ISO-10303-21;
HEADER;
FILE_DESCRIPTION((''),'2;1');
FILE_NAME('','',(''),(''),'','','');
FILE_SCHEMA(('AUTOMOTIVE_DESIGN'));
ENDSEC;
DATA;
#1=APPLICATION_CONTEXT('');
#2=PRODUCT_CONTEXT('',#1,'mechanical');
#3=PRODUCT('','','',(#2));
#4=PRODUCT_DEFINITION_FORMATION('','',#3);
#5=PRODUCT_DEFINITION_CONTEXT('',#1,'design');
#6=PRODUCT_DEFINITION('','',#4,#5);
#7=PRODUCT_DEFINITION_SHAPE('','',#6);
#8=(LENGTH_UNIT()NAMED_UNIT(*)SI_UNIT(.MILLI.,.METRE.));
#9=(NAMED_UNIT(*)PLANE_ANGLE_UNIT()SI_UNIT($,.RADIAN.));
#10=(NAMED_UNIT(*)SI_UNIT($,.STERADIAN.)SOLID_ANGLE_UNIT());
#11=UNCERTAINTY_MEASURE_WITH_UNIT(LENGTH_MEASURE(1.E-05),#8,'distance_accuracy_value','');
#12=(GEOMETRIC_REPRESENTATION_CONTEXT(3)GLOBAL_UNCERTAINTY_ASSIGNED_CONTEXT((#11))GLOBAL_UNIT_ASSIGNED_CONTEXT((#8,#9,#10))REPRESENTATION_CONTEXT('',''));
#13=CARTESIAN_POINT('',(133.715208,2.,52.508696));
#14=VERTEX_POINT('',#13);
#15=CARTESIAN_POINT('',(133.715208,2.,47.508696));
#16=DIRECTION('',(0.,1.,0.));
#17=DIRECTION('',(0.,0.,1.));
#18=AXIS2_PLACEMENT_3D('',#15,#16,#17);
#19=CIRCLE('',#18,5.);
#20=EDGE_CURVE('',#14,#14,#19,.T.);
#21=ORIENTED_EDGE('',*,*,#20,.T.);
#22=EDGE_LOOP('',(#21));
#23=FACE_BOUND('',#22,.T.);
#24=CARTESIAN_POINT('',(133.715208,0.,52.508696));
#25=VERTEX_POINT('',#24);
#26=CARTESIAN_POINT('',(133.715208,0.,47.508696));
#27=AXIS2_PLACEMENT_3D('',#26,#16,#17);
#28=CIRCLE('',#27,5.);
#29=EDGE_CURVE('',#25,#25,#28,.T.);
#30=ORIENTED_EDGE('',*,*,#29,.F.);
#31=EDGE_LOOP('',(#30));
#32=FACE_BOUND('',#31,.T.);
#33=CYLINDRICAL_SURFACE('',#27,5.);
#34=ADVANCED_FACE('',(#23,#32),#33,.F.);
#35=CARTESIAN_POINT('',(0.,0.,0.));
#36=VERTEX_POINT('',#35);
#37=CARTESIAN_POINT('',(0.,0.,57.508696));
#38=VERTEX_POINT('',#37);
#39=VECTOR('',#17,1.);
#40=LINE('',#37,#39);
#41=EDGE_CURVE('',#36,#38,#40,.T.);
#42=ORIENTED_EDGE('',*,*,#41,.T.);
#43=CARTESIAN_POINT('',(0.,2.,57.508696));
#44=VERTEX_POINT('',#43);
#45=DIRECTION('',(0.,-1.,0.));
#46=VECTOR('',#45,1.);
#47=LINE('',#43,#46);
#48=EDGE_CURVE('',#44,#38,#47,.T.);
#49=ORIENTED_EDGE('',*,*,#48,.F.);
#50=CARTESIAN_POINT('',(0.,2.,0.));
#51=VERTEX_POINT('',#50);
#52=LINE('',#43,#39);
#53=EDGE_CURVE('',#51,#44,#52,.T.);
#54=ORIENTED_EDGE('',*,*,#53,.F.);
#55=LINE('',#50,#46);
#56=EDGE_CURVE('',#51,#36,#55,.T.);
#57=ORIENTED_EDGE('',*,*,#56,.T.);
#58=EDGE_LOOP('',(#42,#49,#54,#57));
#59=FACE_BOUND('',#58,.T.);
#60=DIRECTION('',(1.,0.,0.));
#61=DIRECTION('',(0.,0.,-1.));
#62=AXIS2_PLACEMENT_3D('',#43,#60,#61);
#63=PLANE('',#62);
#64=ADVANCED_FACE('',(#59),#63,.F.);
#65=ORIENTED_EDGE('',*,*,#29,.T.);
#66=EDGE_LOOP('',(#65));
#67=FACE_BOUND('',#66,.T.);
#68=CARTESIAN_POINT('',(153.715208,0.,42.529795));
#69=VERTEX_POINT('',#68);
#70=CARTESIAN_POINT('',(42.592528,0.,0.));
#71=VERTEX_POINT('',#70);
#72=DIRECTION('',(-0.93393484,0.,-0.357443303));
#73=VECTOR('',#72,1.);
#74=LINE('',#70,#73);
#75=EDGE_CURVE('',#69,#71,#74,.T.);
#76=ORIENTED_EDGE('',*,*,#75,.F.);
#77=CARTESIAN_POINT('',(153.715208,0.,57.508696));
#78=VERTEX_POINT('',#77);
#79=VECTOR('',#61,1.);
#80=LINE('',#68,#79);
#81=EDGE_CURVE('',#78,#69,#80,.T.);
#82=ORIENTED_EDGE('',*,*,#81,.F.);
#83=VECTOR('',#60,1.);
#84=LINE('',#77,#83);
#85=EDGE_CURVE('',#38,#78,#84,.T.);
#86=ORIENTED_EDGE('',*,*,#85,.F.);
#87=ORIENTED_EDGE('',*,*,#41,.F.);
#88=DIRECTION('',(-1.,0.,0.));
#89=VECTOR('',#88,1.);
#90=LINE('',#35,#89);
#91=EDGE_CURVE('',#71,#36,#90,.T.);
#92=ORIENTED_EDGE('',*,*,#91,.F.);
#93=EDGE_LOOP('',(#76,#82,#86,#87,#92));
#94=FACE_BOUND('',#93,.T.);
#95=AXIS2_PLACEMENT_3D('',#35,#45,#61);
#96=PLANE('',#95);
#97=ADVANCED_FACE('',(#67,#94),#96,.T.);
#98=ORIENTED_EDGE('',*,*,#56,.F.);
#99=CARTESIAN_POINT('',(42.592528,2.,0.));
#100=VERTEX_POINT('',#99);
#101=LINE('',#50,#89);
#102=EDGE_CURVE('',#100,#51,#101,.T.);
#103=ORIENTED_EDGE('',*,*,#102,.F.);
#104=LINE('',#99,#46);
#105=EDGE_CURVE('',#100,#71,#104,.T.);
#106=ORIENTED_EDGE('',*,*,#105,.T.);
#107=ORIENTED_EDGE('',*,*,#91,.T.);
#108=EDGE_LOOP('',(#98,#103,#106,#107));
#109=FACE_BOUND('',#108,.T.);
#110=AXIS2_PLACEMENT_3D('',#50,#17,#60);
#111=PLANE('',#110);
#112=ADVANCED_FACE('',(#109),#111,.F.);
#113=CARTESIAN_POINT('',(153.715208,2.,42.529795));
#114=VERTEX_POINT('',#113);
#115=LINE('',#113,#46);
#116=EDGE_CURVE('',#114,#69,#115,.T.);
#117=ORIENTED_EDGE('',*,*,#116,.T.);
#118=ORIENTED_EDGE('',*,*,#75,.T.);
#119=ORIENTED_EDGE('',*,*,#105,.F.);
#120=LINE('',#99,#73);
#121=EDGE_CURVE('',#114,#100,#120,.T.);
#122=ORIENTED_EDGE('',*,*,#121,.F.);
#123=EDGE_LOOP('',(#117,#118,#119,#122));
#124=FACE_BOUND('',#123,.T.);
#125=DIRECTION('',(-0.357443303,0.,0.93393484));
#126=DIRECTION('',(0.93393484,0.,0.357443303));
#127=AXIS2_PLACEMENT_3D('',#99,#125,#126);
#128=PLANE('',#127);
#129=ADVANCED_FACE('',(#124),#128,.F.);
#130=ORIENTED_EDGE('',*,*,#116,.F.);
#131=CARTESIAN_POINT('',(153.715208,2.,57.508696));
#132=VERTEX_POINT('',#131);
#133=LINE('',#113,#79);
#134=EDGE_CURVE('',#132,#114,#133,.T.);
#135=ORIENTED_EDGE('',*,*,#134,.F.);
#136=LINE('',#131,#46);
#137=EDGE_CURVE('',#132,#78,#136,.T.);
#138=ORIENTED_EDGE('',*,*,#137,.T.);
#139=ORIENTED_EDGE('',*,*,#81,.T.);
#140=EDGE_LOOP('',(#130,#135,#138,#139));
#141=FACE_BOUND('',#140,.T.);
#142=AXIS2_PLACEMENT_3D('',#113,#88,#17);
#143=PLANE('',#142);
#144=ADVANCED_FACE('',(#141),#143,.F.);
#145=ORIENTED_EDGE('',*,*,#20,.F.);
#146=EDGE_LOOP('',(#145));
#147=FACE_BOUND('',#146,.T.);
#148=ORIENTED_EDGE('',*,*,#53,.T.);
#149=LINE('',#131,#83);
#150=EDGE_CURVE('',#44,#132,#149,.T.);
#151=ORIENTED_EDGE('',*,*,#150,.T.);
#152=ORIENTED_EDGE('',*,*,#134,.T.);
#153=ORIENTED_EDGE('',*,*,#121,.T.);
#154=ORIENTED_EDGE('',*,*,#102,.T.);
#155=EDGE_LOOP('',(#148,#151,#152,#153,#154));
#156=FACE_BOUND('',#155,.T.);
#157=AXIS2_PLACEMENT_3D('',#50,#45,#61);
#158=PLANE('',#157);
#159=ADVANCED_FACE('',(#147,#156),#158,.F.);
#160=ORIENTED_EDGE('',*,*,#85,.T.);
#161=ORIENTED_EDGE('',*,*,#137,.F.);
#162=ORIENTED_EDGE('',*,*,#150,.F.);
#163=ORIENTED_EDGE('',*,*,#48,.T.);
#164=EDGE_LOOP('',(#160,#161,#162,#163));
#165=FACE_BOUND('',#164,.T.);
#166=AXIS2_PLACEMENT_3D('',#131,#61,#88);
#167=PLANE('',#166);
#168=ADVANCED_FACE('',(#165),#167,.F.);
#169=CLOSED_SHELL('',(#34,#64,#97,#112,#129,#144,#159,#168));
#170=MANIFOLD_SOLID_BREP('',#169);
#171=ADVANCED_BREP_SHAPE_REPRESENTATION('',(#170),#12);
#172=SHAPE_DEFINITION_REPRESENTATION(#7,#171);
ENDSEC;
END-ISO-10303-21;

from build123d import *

# Parameters (mm, degrees)
BOSS_EXTRUDE1_DEPTH = 2
SKETCH2_R           = 5
CUT_EXTRUDE1_DEPTH  = 165.132919655


with BuildPart() as part:
    # Sketch1 → Boss-Extrude1 (new body)
    with BuildSketch(Plane(origin=(0, 0, 0), x_dir=(1, 0, 0), z_dir=(0, 1, 0))):
        Polygon((0, 0), (42.592528424, 0), (153.715208146, -42.529795372), (153.715208146, -57.508695855), (0, -57.508695855), align=None)
    extrude(amount=BOSS_EXTRUDE1_DEPTH)

    # Sketch2 → Cut-Extrude1 (cut, through all)
    with BuildSketch(Plane(origin=(0, 2, 0), x_dir=(1, 0, 0), z_dir=(0, 1, 0))):
        with Locations(Location((133.715208146, -47.508695855, 0), (0, 0, 270))):
            Circle(SKETCH2_R)
    extrude(amount=-CUT_EXTRUDE1_DEPTH, mode=Mode.SUBTRACT)


solid = part.part
